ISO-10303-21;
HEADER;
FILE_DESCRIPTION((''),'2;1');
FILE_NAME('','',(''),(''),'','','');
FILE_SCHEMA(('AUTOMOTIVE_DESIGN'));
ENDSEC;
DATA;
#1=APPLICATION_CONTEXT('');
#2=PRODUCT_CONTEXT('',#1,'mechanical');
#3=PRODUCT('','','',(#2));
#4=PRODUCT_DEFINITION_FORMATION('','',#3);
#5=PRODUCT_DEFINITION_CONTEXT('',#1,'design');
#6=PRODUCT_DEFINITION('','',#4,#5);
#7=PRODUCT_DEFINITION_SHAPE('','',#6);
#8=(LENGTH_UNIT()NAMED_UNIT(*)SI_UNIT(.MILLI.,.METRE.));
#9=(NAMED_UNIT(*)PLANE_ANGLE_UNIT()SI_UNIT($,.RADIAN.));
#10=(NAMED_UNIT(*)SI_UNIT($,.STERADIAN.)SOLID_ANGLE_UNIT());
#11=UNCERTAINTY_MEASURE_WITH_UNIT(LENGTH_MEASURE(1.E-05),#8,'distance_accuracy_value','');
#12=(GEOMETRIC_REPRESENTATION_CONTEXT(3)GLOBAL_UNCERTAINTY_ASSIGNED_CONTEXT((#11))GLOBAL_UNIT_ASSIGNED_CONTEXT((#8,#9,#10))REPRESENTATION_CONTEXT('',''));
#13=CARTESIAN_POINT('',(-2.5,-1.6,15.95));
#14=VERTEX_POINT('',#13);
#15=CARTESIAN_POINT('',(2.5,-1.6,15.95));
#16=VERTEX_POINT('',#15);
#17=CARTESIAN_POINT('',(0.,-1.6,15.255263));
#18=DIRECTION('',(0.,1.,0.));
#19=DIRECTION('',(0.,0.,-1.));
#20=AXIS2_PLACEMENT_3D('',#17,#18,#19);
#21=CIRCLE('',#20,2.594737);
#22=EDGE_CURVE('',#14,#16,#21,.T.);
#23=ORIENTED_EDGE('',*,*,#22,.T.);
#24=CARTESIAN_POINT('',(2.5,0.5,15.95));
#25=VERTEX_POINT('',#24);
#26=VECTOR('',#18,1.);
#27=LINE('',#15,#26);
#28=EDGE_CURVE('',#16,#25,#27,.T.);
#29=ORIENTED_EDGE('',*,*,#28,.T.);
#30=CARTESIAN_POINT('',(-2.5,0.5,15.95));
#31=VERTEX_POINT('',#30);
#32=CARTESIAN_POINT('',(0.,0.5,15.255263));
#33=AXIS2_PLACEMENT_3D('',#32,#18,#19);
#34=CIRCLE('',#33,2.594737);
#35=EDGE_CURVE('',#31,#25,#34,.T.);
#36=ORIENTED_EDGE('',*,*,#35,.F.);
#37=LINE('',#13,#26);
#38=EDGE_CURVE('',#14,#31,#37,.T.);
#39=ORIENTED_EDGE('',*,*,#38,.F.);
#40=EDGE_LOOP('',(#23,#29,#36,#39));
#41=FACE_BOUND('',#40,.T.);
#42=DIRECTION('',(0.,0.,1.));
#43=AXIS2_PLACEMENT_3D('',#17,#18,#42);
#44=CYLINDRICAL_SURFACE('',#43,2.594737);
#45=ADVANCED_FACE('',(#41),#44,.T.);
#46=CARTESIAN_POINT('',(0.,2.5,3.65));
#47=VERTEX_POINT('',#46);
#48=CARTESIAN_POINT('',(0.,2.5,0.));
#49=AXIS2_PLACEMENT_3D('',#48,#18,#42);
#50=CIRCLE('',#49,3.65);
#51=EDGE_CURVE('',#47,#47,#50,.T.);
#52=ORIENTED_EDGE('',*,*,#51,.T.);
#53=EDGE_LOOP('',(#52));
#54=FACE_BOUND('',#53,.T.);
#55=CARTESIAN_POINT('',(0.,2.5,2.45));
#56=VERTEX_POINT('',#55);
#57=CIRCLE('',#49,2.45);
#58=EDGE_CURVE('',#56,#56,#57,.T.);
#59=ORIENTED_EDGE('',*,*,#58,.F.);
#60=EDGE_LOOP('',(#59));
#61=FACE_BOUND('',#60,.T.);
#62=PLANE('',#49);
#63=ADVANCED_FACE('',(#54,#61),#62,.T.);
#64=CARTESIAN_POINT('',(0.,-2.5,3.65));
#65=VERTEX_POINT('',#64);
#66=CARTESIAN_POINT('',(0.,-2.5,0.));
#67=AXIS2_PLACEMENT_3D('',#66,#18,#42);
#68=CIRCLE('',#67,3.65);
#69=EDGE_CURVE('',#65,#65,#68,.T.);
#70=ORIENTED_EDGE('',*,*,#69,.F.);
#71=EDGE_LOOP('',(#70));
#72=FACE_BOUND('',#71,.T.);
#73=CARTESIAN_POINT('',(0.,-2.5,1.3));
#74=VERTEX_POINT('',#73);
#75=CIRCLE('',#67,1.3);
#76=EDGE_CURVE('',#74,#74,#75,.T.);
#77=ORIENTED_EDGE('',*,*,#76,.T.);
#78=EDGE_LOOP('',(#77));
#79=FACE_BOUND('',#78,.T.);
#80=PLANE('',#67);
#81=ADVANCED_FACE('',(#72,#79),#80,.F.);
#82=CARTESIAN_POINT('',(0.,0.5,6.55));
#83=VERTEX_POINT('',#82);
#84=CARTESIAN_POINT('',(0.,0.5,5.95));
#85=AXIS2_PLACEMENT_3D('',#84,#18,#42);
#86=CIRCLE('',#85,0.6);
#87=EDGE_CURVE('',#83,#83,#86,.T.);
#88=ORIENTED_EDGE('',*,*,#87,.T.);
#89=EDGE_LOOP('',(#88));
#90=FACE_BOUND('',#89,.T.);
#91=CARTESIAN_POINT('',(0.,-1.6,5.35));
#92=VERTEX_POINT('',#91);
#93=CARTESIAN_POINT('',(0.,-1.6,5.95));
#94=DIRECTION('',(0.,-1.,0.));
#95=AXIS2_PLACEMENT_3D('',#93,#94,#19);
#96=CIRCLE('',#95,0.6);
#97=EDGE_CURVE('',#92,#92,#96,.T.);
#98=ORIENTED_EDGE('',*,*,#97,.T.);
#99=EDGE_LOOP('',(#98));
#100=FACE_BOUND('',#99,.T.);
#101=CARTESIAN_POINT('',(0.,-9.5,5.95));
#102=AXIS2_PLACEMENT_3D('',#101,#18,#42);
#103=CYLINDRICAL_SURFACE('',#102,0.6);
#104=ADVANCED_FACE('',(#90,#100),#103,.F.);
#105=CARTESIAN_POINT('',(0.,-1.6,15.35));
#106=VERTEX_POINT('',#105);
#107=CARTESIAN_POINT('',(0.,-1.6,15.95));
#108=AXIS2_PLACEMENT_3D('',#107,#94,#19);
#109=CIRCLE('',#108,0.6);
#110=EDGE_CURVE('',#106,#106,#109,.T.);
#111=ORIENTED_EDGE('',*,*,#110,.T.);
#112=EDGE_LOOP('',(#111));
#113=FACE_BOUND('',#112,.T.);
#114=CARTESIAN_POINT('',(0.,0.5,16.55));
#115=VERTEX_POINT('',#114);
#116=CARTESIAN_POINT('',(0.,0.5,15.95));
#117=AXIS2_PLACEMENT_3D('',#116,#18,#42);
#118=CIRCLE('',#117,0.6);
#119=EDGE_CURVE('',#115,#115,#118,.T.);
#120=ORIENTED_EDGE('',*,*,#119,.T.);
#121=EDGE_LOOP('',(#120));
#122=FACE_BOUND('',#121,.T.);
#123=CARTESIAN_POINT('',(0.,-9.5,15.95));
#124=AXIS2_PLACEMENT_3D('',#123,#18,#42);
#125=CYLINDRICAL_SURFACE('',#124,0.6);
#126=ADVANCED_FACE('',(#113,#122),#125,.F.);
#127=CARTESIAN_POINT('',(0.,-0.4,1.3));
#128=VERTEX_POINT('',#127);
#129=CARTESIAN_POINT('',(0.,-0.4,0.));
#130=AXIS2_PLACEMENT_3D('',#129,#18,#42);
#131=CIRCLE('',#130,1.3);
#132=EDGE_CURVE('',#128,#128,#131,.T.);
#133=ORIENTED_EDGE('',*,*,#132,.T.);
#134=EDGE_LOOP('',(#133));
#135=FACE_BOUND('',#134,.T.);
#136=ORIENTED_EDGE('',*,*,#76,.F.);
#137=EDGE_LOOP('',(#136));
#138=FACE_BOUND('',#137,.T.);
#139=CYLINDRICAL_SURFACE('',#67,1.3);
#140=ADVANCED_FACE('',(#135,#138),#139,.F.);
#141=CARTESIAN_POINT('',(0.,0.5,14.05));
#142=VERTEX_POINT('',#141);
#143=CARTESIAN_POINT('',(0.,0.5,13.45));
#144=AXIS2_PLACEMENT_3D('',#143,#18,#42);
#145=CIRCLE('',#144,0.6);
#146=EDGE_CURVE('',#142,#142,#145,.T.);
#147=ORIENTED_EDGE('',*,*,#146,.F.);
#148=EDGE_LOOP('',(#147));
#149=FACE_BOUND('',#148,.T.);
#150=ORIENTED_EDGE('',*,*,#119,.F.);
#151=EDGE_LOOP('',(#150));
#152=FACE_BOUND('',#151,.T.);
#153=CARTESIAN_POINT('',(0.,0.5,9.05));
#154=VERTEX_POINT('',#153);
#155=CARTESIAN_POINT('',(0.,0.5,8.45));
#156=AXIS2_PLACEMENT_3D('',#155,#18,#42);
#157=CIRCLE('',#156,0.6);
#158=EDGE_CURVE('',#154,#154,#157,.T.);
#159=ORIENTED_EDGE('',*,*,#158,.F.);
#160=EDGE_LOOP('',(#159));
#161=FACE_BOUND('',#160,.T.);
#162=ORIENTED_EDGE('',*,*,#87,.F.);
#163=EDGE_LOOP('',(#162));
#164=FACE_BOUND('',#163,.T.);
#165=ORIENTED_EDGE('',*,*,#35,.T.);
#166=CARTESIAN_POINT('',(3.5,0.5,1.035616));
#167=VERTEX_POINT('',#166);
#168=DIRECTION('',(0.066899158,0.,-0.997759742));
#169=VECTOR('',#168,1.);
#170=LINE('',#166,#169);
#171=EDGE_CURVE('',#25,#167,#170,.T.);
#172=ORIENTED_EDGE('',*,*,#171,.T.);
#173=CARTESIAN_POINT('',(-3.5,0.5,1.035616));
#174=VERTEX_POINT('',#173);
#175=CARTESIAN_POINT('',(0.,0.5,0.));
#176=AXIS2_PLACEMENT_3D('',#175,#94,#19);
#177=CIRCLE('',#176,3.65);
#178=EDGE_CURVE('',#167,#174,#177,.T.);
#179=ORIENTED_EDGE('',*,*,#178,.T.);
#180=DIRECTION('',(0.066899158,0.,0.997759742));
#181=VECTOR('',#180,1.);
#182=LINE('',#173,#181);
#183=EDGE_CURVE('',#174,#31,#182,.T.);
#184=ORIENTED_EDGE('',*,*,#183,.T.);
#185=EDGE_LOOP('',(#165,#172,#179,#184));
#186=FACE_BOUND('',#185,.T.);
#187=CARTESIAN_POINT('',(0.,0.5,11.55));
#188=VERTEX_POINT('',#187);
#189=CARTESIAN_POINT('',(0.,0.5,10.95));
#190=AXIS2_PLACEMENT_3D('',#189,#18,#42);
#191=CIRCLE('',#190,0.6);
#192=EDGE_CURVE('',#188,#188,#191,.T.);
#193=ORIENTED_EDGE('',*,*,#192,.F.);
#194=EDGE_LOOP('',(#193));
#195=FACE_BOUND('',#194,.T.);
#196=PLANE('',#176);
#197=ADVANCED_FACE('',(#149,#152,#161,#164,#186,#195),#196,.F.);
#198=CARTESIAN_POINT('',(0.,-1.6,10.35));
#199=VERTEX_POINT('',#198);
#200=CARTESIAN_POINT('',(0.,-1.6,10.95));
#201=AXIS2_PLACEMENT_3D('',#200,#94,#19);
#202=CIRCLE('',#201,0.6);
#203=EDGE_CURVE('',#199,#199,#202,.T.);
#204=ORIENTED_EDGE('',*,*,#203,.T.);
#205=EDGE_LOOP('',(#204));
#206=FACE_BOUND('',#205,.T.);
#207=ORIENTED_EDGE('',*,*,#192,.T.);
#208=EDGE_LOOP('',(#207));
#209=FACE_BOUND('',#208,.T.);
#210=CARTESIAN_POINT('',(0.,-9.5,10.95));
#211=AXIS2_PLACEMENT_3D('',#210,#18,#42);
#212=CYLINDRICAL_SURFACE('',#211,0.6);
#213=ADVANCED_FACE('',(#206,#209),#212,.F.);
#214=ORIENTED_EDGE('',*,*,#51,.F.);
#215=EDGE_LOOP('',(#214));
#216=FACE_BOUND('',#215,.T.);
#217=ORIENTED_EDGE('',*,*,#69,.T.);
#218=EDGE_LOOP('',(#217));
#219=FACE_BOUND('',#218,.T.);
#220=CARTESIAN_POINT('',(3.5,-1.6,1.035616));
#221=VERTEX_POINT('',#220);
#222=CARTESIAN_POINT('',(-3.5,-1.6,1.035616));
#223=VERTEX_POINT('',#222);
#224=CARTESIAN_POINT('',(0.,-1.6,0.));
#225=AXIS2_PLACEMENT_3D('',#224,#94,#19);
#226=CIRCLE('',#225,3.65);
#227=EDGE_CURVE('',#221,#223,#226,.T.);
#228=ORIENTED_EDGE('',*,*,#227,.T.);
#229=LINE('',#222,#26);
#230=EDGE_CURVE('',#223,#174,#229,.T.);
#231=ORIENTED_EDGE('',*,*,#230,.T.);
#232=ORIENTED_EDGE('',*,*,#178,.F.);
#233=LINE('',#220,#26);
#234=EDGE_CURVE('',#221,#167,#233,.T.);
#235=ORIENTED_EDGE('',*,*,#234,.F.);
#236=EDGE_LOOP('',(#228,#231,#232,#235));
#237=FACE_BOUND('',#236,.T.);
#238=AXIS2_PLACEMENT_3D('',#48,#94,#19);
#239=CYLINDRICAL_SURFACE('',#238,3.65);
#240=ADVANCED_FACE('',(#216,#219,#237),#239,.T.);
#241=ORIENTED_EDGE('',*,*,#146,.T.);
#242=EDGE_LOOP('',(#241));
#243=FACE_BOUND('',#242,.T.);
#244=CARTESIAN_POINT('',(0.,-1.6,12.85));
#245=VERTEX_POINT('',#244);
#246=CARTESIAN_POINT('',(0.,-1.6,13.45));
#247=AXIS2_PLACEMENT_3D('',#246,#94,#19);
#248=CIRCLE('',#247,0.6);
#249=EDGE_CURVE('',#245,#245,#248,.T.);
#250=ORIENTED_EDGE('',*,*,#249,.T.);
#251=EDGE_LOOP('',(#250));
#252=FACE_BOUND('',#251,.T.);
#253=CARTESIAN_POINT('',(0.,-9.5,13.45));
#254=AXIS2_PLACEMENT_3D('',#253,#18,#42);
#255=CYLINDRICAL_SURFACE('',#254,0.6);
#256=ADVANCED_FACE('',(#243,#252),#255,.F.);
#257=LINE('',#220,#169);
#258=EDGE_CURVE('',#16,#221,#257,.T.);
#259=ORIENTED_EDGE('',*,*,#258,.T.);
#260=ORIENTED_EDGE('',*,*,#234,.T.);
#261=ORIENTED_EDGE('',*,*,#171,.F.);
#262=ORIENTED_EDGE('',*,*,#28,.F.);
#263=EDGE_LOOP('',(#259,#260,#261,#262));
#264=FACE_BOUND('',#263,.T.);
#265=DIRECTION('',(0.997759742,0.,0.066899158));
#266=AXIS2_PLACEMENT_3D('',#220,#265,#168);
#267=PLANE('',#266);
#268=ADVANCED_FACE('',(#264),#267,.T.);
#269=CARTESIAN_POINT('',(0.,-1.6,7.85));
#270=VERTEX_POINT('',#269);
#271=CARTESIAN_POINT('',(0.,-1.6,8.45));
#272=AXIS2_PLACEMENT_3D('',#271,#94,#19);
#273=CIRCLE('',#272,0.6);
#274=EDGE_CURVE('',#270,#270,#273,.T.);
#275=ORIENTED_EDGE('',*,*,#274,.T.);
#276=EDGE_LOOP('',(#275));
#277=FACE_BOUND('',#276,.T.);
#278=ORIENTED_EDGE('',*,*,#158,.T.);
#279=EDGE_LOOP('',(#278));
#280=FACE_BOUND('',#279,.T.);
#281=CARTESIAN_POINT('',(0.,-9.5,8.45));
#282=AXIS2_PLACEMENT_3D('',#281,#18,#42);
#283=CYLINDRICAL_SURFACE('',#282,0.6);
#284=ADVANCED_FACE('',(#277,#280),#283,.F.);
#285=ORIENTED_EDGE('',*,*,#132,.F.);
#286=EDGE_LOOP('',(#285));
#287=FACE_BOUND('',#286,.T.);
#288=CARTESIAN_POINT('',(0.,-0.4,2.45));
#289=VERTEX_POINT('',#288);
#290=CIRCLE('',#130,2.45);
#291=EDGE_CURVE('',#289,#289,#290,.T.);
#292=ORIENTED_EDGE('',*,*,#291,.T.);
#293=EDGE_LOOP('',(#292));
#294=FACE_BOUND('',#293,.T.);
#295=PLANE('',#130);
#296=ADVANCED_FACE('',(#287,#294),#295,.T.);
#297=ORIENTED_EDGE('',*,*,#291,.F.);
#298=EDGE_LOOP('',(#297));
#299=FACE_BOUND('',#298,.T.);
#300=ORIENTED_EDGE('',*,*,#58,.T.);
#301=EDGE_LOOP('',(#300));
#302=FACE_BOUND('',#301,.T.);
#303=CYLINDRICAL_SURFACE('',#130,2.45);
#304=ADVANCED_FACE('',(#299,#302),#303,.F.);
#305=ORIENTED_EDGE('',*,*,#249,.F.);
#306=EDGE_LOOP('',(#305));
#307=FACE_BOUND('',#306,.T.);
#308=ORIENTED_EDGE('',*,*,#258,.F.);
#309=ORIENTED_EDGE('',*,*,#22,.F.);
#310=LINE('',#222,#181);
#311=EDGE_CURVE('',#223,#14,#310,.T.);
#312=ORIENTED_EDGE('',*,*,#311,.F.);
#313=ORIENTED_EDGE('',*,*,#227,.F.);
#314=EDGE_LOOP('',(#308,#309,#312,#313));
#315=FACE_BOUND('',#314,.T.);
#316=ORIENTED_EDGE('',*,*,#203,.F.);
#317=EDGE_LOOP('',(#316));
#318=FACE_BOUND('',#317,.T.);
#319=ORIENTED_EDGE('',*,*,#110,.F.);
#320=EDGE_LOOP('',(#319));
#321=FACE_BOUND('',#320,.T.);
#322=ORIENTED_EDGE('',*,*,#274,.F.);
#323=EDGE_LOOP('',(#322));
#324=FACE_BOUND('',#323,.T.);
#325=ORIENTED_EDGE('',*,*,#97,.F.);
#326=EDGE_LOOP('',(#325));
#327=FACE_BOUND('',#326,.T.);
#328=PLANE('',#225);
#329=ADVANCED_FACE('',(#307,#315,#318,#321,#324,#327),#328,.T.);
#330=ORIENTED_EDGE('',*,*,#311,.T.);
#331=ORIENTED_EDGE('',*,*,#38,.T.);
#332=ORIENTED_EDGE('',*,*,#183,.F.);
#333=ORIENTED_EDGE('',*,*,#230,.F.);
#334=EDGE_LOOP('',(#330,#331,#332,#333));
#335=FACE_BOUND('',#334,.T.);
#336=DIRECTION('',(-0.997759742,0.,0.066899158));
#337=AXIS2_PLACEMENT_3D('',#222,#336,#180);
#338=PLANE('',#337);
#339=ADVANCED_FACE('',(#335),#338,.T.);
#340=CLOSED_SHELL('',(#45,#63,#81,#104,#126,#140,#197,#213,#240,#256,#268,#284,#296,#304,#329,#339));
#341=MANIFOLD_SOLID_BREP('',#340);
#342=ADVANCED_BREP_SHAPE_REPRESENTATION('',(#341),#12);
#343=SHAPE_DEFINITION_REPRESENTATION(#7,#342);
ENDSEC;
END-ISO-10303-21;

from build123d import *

# Parameters (mm, degrees)
SKETCH_3_R          = 3.65
EXTRUDE_1_DEPTH     = 2.5
SKETCH_4_R          = 2.45
CUT_EXTRUDE_1_DEPTH = 2.9
SKETCH_5_R          = 1.3
CUT_EXTRUDE_2_DEPTH = 6.920726307
EXTRUDE_2_DEPTH     = 2.1
SKETCH_7_R          = 0.6
CUT_EXTRUDE_3_DEPTH = 10


with BuildPart() as part:
    # 草图3 → 凸台-拉伸1 (new, symmetric)
    with BuildSketch(Plane(origin=(0, 0, 0), x_dir=(1, 0, 0), z_dir=(0, 1, 0))):
        with Locations(Location((0, 0, 0), (0, 0, 270))):
            Circle(SKETCH_3_R)
    extrude(amount=EXTRUDE_1_DEPTH, both=True)

    # 草图4 → 切除-拉伸1 (cut)
    with BuildSketch(Plane(origin=(0, 2.5, 0), x_dir=(1, 0, 0), z_dir=(0, 1, 0))):
        with Locations(Location((0, 0, 0), (0, 0, 270))):
            Circle(SKETCH_4_R)
    extrude(amount=-CUT_EXTRUDE_1_DEPTH, mode=Mode.SUBTRACT)

    # 草图5 → 切除-拉伸2 (cut, through all)
    with BuildSketch(Plane(origin=(0, -0.4, 0), x_dir=(1, 0, 0), z_dir=(0, 1, 0))):
        with Locations(Location((0, 0, 0), (0, 0, 270))):
            Circle(SKETCH_5_R)
    extrude(amount=-CUT_EXTRUDE_2_DEPTH, mode=Mode.SUBTRACT)

    # 草图6 → 凸台-拉伸2 (add)
    with BuildSketch(Plane(origin=(0, 0.5, 0), x_dir=(1, 0, 0), z_dir=(0, 1, 0))):
        with BuildLine():
            Line((3.5, -1.035615759), (2.5, -15.95))
            ThreePointArc((2.5, -15.95), (0, -17.85), (-2.5, -15.95))
            Line((-2.5, -15.95), (-3.5, -1.035615759))
            ThreePointArc((-3.5, -1.035615759), (0, -3.65), (3.5, -1.035615759))
        make_face()
    extrude(amount=-EXTRUDE_2_DEPTH)

    # 草图7 → 切除-拉伸3 (cut)
    with BuildSketch(Plane(origin=(0, 0.5, 0), x_dir=(1, 0, 0), z_dir=(0, 1, 0))):
        with Locations(Location((0, -15.95, 0), (0, 0, 270))):
            Circle(SKETCH_7_R)
        with Locations(Location((0, -13.45, 0), (0, 0, 270))):
            Circle(SKETCH_7_R)
        with Locations(Location((0, -10.95, 0), (0, 0, 270))):
            Circle(SKETCH_7_R)
        with Locations(Location((0, -8.45, 0), (0, 0, 270))):
            Circle(SKETCH_7_R)
        with Locations(Location((0, -5.95, 0), (0, 0, 270))):
            Circle(SKETCH_7_R)
    extrude(amount=-CUT_EXTRUDE_3_DEPTH, mode=Mode.SUBTRACT)


solid = part.part
